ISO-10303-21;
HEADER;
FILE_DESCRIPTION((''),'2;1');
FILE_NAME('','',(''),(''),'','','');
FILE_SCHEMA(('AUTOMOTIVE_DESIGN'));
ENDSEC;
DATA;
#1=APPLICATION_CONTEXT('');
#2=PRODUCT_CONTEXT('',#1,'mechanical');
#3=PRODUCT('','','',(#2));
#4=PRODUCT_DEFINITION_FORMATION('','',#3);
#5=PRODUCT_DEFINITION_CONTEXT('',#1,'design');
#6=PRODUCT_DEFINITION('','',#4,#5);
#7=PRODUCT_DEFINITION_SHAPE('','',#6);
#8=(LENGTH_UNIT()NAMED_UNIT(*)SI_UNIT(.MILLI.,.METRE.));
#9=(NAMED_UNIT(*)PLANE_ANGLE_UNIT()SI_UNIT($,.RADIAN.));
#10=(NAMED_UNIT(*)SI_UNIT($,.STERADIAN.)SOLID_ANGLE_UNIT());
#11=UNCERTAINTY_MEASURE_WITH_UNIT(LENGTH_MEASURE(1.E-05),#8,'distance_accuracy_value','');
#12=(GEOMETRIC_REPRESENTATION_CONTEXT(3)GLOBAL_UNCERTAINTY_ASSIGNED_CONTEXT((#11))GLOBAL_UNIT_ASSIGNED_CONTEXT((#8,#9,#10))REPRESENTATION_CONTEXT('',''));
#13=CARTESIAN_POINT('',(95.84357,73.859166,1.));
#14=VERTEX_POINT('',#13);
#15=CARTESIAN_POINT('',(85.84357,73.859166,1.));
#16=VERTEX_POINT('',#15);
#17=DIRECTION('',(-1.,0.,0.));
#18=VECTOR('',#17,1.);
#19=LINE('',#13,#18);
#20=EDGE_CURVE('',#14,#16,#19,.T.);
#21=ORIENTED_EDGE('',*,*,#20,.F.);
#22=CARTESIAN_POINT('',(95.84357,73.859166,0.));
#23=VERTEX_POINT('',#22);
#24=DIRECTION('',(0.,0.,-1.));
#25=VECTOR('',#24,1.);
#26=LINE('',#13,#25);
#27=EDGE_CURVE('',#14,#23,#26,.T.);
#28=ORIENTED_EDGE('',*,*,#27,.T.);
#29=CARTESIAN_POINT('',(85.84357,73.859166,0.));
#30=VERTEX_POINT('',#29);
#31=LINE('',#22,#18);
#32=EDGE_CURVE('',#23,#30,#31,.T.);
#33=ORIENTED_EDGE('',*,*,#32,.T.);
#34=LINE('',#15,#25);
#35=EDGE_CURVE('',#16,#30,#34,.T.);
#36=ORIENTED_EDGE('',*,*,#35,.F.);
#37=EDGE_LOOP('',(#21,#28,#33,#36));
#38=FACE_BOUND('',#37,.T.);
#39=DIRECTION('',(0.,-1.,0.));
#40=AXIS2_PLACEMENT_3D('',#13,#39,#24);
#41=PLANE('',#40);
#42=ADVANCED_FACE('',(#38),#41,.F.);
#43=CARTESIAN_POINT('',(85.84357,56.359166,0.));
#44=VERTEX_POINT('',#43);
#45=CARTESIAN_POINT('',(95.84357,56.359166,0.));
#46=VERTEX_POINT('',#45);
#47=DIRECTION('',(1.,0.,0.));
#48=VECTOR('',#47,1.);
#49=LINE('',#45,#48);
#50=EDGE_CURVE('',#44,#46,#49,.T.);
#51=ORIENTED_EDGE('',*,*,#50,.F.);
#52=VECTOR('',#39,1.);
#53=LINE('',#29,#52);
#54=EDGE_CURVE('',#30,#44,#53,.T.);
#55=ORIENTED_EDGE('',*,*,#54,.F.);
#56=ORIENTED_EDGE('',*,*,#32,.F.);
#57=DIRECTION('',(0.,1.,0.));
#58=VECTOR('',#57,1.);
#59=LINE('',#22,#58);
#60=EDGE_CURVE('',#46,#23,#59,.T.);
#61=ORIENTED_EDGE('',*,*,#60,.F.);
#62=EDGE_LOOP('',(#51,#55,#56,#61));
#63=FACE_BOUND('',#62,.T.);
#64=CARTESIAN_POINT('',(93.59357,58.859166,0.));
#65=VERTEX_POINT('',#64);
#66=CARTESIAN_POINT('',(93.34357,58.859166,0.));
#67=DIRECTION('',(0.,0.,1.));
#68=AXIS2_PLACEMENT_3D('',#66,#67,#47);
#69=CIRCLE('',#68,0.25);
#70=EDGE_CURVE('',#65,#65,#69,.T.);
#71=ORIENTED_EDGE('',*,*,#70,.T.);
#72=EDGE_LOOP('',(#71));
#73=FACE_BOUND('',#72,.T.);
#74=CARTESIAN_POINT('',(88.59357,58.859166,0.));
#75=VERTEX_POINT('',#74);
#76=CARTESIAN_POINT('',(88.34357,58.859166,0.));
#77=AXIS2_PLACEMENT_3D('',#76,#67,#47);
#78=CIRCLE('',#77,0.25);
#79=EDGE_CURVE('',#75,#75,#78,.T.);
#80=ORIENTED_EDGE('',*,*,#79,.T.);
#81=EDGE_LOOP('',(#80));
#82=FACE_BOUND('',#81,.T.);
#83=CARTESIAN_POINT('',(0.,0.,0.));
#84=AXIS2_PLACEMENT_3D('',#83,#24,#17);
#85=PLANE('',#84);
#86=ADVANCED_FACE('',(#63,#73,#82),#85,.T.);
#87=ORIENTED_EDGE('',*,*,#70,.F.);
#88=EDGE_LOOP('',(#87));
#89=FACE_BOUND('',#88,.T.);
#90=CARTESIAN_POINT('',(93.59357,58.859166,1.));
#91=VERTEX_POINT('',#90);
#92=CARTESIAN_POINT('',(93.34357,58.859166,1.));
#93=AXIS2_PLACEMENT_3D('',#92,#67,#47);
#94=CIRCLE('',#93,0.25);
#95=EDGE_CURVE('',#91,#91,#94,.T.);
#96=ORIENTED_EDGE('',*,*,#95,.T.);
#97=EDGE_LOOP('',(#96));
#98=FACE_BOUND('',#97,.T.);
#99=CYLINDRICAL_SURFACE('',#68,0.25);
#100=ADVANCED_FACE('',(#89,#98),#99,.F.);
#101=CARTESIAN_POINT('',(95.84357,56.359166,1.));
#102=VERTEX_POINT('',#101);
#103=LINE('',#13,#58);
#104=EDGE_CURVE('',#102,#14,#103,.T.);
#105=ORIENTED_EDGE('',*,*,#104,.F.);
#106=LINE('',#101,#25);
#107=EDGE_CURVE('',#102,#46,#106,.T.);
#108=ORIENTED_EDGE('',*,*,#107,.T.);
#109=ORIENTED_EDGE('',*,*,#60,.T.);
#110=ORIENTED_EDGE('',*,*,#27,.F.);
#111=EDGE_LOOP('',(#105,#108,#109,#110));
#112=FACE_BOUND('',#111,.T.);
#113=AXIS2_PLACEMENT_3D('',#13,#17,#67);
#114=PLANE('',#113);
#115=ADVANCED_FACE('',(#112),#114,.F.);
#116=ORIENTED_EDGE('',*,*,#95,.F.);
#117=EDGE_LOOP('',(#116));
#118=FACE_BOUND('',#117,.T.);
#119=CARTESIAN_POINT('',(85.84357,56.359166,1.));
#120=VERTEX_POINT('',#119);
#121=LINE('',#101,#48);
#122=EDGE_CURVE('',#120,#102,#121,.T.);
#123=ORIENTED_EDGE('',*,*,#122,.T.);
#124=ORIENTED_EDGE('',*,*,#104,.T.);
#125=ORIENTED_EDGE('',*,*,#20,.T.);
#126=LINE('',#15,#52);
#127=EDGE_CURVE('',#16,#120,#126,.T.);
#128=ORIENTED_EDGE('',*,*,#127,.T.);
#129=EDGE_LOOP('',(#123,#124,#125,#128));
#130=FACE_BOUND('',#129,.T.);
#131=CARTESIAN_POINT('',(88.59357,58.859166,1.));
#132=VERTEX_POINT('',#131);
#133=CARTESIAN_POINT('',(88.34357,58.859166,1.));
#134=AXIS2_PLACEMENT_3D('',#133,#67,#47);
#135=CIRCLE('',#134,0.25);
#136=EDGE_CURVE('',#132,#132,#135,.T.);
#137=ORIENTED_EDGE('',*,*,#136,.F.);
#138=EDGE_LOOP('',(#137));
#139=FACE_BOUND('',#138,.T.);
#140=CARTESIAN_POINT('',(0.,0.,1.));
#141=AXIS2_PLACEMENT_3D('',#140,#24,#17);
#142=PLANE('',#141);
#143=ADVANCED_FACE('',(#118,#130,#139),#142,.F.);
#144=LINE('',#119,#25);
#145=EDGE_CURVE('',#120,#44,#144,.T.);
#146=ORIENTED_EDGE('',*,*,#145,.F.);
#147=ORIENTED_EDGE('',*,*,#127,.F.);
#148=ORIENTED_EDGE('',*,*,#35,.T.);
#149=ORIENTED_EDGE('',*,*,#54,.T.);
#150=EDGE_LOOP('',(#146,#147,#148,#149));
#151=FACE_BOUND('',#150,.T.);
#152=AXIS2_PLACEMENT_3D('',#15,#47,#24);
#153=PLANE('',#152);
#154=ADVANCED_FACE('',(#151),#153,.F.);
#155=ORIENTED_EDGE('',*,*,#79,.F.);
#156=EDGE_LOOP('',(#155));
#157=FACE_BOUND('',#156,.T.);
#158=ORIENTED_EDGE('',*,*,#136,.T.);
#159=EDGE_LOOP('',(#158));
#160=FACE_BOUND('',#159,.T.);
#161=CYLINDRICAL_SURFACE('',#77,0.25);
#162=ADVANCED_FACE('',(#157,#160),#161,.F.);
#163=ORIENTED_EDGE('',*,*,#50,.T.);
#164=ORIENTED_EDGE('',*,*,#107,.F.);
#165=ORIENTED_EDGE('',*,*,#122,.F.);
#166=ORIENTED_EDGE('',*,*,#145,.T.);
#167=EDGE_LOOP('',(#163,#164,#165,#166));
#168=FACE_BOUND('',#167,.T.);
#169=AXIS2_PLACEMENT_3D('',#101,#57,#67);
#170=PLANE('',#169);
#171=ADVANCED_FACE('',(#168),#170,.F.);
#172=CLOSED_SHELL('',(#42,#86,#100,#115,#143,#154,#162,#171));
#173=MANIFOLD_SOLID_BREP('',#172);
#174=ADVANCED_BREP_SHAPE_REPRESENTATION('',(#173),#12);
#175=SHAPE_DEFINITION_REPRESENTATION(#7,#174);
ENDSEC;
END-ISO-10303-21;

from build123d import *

# Parameters (mm, degrees)
ESBO_O1_W                = 10
ESBO_O1_H                = 17.5
RESSALTO_EXTRUS_O1_DEPTH = 1
ESBO_O2_R                = 0.25
CORTE_EXTRUS_O1_DEPTH    = 122.00481955


with BuildPart() as part:
    # Esboço1 → Ressalto-extrusão1 (new body)
    with BuildSketch(Plane.XY):
        with Locations((90.843569867, 65.109166454)):
            Rectangle(ESBO_O1_W, ESBO_O1_H)
    extrude(amount=RESSALTO_EXTRUS_O1_DEPTH)

    # Esboço2 → Corte-extrusão1 (cut, through all)
    with BuildSketch(Plane.XY.offset(1)):
        with Locations((88.343569867, 58.859166454)):
            Circle(ESBO_O2_R)
        with Locations((93.343569867, 58.859166454)):
            Circle(ESBO_O2_R)
    extrude(amount=-CORTE_EXTRUS_O1_DEPTH, mode=Mode.SUBTRACT)


solid = part.part
